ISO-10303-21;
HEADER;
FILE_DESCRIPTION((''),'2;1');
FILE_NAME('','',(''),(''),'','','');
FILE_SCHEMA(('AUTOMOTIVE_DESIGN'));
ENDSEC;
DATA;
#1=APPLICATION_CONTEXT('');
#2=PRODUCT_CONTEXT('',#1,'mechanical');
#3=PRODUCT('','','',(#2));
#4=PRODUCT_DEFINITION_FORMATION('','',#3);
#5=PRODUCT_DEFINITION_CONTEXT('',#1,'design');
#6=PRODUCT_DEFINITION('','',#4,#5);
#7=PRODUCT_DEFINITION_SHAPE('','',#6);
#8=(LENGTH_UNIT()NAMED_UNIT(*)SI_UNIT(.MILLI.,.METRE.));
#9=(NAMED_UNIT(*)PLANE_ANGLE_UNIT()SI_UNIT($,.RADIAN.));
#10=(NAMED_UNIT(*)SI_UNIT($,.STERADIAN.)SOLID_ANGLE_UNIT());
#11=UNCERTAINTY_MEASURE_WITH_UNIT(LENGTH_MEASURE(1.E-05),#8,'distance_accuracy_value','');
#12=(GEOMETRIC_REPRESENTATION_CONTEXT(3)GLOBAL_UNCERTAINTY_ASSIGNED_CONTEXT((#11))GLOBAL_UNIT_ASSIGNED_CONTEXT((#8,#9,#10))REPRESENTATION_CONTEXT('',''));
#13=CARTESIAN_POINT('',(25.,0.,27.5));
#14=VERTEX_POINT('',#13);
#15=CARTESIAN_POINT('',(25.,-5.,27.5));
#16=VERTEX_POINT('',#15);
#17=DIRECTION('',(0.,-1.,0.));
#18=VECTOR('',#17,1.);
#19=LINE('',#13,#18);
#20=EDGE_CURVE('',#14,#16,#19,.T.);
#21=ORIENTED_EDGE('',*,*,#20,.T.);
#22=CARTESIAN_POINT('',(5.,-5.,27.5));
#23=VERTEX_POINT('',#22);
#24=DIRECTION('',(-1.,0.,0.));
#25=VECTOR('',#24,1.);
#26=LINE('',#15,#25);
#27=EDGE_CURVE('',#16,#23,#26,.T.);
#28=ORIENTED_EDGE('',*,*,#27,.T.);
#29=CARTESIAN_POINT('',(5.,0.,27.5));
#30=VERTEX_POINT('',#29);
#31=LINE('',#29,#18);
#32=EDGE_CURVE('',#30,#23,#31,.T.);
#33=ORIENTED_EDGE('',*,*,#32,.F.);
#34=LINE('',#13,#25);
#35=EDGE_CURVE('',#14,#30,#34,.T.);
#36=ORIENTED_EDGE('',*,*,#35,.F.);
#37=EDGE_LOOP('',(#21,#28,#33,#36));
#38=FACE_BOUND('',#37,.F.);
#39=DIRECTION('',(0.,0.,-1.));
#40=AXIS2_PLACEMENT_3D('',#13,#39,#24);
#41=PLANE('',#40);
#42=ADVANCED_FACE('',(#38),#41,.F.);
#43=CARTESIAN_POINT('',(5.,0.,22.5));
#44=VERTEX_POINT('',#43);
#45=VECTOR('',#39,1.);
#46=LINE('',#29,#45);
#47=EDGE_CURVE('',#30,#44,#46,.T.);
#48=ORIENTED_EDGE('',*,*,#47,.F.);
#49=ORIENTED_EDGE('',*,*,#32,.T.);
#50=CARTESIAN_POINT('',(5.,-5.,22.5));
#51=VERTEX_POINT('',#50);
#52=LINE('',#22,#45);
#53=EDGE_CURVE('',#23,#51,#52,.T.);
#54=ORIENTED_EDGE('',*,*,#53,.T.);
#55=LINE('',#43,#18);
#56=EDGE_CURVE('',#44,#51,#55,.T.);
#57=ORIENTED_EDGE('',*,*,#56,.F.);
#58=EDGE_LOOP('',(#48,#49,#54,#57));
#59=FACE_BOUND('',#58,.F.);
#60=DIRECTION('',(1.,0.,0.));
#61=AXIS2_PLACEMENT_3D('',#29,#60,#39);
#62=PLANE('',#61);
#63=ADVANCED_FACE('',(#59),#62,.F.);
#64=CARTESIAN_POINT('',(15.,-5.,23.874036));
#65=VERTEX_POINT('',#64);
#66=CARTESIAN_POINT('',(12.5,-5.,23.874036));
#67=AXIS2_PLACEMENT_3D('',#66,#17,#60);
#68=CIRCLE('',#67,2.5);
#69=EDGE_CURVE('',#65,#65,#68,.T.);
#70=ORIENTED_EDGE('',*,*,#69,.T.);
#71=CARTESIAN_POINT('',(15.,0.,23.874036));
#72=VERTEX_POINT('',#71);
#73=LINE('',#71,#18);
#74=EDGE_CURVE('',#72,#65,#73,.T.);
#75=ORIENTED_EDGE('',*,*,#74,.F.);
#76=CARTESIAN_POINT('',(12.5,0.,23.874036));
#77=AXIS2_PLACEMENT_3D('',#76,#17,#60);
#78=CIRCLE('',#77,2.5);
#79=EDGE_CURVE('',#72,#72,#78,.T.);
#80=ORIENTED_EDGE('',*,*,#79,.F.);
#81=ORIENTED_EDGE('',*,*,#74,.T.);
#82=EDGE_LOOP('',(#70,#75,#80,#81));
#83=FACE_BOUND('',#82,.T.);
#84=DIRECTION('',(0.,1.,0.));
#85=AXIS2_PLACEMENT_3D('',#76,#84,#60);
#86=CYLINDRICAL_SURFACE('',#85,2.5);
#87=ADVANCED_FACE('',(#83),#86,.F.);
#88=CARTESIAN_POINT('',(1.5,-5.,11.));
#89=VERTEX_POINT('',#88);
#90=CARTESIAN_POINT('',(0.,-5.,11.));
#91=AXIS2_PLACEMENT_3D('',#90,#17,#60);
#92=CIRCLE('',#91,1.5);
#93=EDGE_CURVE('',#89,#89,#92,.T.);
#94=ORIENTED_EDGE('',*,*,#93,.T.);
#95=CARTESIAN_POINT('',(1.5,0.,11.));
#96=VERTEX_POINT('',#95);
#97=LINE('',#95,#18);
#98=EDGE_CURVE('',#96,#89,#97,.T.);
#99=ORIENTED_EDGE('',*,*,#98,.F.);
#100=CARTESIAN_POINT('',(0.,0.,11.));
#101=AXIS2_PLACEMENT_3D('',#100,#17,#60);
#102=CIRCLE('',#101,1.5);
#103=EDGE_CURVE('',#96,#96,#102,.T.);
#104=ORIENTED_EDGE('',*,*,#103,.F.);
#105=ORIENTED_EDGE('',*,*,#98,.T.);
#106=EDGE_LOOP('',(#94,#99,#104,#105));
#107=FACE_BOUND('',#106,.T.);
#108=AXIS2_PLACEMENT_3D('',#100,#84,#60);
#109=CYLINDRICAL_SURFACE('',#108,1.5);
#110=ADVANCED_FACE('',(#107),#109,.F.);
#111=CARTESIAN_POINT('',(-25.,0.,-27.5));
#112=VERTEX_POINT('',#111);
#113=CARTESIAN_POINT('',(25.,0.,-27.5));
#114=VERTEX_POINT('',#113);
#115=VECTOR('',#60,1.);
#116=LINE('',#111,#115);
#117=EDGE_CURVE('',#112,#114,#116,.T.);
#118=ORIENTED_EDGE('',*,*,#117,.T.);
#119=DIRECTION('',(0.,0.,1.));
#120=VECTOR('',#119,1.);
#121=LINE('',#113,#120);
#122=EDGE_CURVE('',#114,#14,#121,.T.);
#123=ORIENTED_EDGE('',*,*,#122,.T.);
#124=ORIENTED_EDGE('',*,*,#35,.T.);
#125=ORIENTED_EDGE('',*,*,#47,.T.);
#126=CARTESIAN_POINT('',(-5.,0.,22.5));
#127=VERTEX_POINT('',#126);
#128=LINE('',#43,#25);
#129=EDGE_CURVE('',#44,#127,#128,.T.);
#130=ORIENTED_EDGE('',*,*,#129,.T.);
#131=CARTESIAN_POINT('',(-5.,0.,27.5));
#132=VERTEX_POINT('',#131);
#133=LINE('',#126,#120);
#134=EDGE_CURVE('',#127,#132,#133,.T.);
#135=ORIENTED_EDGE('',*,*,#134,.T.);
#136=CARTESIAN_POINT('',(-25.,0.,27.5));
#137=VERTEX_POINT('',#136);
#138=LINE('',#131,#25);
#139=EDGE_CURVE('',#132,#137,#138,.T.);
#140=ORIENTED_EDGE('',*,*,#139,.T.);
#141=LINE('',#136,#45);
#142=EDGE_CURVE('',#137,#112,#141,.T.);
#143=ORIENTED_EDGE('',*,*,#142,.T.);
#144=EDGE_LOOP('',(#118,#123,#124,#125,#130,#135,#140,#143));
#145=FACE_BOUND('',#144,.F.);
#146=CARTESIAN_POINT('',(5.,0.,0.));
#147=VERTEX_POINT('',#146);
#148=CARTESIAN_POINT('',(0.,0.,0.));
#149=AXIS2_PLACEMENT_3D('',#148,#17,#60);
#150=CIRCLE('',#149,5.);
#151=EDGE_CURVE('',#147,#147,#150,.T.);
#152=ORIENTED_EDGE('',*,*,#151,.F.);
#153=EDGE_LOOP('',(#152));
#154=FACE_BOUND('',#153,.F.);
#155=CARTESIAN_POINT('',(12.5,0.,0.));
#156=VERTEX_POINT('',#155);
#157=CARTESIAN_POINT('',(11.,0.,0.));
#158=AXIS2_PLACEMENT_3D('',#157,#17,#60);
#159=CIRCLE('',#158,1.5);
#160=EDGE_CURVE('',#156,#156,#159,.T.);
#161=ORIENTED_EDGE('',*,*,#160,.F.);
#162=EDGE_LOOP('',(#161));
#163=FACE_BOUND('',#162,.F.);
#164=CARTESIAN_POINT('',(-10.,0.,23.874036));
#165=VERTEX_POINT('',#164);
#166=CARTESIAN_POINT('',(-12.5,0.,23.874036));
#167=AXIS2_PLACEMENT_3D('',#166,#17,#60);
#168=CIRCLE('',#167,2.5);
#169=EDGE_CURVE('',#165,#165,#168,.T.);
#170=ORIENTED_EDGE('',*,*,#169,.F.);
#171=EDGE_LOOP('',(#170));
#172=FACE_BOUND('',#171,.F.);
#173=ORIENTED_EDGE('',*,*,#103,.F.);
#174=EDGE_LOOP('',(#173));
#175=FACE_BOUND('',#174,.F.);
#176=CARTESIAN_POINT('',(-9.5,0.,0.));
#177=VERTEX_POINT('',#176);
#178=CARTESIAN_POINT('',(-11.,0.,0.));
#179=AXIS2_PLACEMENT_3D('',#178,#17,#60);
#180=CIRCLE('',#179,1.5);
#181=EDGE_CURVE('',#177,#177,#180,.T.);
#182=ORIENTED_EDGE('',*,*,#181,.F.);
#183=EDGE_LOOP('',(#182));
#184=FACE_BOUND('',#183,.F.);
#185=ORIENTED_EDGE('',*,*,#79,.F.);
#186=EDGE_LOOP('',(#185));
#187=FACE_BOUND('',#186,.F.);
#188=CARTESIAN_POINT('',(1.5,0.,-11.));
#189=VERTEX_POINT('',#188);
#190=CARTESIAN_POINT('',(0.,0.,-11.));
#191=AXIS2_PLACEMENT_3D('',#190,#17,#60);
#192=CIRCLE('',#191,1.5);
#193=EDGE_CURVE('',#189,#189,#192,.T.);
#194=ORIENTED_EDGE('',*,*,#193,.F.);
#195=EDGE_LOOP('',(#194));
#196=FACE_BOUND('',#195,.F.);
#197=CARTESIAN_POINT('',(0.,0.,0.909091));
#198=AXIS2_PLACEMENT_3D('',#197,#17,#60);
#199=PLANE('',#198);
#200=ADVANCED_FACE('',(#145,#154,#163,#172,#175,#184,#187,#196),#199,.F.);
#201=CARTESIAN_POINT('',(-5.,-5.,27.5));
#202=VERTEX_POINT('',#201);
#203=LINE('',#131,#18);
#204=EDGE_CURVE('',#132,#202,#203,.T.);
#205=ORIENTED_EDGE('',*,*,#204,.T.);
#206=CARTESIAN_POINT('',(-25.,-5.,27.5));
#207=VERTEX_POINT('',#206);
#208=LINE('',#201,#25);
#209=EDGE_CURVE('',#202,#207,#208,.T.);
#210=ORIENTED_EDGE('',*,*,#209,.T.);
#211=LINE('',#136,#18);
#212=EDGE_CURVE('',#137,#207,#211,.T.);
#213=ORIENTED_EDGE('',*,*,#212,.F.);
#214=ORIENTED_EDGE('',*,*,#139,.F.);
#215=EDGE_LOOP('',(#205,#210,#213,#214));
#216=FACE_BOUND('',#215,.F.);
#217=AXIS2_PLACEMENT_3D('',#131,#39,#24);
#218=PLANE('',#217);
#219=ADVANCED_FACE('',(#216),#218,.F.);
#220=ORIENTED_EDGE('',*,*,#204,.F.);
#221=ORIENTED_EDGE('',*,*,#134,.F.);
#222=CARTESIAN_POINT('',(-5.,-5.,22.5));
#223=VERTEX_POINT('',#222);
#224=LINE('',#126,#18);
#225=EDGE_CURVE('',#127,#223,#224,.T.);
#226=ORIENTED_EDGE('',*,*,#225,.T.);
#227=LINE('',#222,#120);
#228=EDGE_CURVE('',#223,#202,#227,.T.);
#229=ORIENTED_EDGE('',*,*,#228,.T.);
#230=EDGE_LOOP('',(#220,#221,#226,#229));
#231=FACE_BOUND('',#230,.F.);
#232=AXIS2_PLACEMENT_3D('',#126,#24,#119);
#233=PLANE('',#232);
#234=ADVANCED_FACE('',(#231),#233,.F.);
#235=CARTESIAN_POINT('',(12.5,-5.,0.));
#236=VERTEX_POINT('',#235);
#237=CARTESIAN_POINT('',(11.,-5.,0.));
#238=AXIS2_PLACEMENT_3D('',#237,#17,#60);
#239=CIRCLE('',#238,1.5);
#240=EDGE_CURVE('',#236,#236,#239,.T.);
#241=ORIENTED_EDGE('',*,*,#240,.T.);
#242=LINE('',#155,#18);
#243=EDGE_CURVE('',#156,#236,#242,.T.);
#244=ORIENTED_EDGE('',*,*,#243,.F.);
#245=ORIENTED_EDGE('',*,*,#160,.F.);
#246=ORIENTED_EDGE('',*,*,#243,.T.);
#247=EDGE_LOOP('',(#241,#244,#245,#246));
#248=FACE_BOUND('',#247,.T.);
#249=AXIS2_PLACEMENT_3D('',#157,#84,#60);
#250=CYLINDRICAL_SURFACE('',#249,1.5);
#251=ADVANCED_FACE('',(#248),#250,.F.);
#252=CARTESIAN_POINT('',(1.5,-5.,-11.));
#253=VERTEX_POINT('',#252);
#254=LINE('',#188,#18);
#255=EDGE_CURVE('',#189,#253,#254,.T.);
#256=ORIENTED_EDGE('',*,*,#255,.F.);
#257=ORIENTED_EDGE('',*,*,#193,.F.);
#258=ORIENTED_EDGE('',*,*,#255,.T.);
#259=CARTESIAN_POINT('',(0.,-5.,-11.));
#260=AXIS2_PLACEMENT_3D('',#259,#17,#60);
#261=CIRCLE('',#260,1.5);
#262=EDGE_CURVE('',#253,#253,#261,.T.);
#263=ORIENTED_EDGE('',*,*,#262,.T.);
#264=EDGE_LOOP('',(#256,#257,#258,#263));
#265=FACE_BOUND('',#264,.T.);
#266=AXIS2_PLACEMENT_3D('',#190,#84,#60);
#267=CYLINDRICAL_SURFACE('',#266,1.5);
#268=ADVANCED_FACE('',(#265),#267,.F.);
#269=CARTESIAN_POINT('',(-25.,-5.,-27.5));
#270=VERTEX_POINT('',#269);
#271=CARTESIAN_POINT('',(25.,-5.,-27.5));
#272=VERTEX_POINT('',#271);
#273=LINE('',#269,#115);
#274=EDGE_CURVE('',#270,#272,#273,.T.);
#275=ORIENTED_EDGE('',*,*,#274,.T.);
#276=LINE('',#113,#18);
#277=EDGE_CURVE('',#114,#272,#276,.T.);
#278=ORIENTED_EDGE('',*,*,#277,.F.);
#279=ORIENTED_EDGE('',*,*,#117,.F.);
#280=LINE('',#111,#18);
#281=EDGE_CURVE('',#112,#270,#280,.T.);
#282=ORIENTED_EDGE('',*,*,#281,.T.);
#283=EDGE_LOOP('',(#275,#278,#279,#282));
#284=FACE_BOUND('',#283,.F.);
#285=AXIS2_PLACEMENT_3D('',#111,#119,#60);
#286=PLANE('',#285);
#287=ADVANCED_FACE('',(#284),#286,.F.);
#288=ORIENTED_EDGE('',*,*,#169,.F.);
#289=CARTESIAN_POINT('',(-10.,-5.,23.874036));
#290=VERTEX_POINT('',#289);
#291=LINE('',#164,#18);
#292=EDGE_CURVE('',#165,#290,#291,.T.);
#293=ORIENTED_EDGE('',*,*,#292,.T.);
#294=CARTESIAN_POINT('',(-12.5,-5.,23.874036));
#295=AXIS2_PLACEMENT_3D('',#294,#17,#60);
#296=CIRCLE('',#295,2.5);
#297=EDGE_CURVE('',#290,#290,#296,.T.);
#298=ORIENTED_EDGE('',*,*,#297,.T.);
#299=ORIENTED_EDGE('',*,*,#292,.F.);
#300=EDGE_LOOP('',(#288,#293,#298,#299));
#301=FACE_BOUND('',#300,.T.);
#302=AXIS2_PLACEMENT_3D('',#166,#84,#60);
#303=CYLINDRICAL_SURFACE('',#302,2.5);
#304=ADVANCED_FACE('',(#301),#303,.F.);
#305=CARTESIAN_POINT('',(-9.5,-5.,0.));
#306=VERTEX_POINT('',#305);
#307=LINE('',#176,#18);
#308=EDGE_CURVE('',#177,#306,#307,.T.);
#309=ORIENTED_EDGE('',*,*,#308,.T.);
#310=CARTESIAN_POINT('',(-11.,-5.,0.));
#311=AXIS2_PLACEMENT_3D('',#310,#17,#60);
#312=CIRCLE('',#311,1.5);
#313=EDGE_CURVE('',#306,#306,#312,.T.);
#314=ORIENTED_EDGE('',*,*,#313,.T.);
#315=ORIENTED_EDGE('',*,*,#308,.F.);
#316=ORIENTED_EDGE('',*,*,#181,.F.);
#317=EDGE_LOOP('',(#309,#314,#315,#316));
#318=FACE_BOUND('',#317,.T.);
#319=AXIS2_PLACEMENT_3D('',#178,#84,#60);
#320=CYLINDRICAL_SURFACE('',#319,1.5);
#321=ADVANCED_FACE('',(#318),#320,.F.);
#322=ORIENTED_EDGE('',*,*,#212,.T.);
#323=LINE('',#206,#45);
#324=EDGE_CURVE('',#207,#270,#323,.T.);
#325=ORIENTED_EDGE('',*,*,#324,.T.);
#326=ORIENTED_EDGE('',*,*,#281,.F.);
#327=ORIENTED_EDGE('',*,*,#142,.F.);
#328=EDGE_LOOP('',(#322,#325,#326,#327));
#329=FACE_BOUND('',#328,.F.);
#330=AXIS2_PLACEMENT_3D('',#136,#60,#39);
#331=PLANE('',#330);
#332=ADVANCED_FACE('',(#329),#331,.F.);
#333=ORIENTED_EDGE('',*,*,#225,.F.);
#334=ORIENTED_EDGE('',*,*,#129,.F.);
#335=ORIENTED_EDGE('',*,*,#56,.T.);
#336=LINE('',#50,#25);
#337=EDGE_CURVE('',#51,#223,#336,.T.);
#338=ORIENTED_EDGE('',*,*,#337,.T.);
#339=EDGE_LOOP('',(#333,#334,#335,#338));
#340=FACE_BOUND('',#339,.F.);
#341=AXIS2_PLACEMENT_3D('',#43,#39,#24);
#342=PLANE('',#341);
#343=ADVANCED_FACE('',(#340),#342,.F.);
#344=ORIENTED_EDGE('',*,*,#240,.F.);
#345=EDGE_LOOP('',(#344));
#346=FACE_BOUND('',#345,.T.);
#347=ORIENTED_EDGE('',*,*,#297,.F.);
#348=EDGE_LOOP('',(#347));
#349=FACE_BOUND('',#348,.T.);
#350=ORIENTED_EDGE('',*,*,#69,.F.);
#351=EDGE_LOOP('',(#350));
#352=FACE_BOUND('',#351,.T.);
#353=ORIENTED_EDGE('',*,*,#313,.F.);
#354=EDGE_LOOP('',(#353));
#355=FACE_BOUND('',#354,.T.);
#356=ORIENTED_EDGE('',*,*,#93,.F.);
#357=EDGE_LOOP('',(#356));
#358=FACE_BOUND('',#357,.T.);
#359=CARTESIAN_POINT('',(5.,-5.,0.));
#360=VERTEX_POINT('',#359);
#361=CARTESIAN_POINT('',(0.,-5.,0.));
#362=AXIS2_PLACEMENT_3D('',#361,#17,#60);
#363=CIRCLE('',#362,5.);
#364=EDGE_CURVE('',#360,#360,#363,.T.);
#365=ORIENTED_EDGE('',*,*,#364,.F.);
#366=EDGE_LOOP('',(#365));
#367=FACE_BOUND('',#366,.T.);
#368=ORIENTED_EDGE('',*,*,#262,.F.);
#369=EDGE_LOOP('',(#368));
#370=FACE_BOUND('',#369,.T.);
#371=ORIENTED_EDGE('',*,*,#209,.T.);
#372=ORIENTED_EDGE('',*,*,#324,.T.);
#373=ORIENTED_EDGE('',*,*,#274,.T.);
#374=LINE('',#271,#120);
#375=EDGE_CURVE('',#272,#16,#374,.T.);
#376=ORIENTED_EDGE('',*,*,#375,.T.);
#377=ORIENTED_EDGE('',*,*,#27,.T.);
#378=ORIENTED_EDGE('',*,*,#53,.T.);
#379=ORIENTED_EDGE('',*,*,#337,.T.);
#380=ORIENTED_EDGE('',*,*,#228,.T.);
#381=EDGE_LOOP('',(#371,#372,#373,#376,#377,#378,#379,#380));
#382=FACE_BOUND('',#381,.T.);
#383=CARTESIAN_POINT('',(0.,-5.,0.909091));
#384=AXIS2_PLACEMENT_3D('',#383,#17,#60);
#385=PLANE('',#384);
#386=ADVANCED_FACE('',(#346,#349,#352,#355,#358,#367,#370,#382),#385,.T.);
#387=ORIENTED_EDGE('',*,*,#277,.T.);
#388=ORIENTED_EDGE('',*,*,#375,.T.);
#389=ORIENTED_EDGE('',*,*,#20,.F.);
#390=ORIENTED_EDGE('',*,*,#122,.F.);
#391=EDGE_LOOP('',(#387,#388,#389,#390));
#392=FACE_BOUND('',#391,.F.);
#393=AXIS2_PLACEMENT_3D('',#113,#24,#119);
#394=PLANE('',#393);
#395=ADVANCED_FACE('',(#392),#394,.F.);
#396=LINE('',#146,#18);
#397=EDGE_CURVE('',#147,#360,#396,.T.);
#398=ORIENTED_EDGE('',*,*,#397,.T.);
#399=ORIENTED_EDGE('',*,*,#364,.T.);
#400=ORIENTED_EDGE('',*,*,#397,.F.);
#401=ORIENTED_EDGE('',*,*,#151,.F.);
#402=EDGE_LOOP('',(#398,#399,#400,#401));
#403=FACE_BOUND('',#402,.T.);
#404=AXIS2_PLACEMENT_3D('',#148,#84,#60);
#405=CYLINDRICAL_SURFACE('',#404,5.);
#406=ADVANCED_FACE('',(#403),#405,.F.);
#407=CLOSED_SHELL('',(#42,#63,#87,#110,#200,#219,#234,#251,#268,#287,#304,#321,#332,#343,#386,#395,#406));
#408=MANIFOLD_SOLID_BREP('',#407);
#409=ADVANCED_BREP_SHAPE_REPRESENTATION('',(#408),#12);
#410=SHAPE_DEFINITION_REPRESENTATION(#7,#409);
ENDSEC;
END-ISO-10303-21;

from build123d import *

# Parameters (mm, degrees)
F0_R     = 1.5
F0_R_2   = 2.5
F0_R_3   = 5
F1_DEPTH = 5


with BuildPart() as f1:
    # F0 (on Front) → F1 (new body)
    with BuildSketch(Plane.XZ):
        Polygon((25, -27.5), (25, 27.5), (5, 27.5), (5, 22.5), (-5, 22.5), (-5, 27.5), (-25, 27.5), (-25, -27.5), (-17.784204334, -27.5), (-7.784204334, -27.5), align=None)
        with Locations((0, -11)):
            Circle(F0_R, mode=Mode.SUBTRACT)
        with Locations((-11, 0)):
            Circle(F0_R, mode=Mode.SUBTRACT)
        with Locations((-12.5, 23.8740361482)):
            Circle(F0_R_2, mode=Mode.SUBTRACT)
        Circle(F0_R_3, mode=Mode.SUBTRACT)
        with Locations((11, 0)):
            Circle(F0_R, mode=Mode.SUBTRACT)
        with Locations((0, 11)):
            Circle(F0_R, mode=Mode.SUBTRACT)
        with Locations((12.5, 23.8740361482)):
            Circle(F0_R_2, mode=Mode.SUBTRACT)
    extrude(amount=F1_DEPTH)


solid = f1.part
